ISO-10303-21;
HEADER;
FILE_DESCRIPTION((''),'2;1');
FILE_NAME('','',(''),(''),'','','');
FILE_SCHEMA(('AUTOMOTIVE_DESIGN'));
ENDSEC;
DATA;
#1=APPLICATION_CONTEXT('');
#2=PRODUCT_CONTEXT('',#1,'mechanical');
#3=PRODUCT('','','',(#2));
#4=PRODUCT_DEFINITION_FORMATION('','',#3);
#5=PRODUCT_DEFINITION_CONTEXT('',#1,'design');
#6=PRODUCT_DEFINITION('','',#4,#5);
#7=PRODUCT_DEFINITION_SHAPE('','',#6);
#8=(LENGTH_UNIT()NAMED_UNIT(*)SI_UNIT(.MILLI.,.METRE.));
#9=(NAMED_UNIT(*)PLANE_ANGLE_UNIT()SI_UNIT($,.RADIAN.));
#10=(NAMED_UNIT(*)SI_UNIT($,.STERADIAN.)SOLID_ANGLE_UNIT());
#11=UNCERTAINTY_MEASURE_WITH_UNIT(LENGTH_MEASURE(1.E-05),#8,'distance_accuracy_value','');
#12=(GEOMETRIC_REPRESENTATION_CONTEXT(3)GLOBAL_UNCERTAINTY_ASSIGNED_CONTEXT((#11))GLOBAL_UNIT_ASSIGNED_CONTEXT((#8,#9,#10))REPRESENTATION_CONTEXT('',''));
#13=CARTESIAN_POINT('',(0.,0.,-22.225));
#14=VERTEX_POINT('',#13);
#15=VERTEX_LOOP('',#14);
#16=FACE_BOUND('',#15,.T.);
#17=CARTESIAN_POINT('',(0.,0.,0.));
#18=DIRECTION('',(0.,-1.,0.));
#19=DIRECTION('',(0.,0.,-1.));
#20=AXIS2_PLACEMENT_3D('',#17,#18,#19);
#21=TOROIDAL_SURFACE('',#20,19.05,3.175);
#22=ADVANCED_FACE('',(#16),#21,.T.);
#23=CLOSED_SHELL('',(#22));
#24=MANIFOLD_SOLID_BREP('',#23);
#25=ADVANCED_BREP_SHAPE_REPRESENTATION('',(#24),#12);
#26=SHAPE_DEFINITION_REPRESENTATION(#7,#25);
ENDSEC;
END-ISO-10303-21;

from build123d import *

# Parameters (mm, degrees)
SKETCH1_R = 3.175


with BuildPart() as part:
    # Sketch1 → Revolve1 (revolve)
    with BuildSketch(Plane.XY, mode=Mode.PRIVATE) as revolve1_sk:
        with Locations((19.05, 0)):
            Circle(SKETCH1_R)
    revolve(revolve1_sk.sketch.rotate(Axis((0, 0, 0), (0, 1, 0)), 90), axis=Axis((0, 0, 0), (0, 1, 0)))


solid = part.part
